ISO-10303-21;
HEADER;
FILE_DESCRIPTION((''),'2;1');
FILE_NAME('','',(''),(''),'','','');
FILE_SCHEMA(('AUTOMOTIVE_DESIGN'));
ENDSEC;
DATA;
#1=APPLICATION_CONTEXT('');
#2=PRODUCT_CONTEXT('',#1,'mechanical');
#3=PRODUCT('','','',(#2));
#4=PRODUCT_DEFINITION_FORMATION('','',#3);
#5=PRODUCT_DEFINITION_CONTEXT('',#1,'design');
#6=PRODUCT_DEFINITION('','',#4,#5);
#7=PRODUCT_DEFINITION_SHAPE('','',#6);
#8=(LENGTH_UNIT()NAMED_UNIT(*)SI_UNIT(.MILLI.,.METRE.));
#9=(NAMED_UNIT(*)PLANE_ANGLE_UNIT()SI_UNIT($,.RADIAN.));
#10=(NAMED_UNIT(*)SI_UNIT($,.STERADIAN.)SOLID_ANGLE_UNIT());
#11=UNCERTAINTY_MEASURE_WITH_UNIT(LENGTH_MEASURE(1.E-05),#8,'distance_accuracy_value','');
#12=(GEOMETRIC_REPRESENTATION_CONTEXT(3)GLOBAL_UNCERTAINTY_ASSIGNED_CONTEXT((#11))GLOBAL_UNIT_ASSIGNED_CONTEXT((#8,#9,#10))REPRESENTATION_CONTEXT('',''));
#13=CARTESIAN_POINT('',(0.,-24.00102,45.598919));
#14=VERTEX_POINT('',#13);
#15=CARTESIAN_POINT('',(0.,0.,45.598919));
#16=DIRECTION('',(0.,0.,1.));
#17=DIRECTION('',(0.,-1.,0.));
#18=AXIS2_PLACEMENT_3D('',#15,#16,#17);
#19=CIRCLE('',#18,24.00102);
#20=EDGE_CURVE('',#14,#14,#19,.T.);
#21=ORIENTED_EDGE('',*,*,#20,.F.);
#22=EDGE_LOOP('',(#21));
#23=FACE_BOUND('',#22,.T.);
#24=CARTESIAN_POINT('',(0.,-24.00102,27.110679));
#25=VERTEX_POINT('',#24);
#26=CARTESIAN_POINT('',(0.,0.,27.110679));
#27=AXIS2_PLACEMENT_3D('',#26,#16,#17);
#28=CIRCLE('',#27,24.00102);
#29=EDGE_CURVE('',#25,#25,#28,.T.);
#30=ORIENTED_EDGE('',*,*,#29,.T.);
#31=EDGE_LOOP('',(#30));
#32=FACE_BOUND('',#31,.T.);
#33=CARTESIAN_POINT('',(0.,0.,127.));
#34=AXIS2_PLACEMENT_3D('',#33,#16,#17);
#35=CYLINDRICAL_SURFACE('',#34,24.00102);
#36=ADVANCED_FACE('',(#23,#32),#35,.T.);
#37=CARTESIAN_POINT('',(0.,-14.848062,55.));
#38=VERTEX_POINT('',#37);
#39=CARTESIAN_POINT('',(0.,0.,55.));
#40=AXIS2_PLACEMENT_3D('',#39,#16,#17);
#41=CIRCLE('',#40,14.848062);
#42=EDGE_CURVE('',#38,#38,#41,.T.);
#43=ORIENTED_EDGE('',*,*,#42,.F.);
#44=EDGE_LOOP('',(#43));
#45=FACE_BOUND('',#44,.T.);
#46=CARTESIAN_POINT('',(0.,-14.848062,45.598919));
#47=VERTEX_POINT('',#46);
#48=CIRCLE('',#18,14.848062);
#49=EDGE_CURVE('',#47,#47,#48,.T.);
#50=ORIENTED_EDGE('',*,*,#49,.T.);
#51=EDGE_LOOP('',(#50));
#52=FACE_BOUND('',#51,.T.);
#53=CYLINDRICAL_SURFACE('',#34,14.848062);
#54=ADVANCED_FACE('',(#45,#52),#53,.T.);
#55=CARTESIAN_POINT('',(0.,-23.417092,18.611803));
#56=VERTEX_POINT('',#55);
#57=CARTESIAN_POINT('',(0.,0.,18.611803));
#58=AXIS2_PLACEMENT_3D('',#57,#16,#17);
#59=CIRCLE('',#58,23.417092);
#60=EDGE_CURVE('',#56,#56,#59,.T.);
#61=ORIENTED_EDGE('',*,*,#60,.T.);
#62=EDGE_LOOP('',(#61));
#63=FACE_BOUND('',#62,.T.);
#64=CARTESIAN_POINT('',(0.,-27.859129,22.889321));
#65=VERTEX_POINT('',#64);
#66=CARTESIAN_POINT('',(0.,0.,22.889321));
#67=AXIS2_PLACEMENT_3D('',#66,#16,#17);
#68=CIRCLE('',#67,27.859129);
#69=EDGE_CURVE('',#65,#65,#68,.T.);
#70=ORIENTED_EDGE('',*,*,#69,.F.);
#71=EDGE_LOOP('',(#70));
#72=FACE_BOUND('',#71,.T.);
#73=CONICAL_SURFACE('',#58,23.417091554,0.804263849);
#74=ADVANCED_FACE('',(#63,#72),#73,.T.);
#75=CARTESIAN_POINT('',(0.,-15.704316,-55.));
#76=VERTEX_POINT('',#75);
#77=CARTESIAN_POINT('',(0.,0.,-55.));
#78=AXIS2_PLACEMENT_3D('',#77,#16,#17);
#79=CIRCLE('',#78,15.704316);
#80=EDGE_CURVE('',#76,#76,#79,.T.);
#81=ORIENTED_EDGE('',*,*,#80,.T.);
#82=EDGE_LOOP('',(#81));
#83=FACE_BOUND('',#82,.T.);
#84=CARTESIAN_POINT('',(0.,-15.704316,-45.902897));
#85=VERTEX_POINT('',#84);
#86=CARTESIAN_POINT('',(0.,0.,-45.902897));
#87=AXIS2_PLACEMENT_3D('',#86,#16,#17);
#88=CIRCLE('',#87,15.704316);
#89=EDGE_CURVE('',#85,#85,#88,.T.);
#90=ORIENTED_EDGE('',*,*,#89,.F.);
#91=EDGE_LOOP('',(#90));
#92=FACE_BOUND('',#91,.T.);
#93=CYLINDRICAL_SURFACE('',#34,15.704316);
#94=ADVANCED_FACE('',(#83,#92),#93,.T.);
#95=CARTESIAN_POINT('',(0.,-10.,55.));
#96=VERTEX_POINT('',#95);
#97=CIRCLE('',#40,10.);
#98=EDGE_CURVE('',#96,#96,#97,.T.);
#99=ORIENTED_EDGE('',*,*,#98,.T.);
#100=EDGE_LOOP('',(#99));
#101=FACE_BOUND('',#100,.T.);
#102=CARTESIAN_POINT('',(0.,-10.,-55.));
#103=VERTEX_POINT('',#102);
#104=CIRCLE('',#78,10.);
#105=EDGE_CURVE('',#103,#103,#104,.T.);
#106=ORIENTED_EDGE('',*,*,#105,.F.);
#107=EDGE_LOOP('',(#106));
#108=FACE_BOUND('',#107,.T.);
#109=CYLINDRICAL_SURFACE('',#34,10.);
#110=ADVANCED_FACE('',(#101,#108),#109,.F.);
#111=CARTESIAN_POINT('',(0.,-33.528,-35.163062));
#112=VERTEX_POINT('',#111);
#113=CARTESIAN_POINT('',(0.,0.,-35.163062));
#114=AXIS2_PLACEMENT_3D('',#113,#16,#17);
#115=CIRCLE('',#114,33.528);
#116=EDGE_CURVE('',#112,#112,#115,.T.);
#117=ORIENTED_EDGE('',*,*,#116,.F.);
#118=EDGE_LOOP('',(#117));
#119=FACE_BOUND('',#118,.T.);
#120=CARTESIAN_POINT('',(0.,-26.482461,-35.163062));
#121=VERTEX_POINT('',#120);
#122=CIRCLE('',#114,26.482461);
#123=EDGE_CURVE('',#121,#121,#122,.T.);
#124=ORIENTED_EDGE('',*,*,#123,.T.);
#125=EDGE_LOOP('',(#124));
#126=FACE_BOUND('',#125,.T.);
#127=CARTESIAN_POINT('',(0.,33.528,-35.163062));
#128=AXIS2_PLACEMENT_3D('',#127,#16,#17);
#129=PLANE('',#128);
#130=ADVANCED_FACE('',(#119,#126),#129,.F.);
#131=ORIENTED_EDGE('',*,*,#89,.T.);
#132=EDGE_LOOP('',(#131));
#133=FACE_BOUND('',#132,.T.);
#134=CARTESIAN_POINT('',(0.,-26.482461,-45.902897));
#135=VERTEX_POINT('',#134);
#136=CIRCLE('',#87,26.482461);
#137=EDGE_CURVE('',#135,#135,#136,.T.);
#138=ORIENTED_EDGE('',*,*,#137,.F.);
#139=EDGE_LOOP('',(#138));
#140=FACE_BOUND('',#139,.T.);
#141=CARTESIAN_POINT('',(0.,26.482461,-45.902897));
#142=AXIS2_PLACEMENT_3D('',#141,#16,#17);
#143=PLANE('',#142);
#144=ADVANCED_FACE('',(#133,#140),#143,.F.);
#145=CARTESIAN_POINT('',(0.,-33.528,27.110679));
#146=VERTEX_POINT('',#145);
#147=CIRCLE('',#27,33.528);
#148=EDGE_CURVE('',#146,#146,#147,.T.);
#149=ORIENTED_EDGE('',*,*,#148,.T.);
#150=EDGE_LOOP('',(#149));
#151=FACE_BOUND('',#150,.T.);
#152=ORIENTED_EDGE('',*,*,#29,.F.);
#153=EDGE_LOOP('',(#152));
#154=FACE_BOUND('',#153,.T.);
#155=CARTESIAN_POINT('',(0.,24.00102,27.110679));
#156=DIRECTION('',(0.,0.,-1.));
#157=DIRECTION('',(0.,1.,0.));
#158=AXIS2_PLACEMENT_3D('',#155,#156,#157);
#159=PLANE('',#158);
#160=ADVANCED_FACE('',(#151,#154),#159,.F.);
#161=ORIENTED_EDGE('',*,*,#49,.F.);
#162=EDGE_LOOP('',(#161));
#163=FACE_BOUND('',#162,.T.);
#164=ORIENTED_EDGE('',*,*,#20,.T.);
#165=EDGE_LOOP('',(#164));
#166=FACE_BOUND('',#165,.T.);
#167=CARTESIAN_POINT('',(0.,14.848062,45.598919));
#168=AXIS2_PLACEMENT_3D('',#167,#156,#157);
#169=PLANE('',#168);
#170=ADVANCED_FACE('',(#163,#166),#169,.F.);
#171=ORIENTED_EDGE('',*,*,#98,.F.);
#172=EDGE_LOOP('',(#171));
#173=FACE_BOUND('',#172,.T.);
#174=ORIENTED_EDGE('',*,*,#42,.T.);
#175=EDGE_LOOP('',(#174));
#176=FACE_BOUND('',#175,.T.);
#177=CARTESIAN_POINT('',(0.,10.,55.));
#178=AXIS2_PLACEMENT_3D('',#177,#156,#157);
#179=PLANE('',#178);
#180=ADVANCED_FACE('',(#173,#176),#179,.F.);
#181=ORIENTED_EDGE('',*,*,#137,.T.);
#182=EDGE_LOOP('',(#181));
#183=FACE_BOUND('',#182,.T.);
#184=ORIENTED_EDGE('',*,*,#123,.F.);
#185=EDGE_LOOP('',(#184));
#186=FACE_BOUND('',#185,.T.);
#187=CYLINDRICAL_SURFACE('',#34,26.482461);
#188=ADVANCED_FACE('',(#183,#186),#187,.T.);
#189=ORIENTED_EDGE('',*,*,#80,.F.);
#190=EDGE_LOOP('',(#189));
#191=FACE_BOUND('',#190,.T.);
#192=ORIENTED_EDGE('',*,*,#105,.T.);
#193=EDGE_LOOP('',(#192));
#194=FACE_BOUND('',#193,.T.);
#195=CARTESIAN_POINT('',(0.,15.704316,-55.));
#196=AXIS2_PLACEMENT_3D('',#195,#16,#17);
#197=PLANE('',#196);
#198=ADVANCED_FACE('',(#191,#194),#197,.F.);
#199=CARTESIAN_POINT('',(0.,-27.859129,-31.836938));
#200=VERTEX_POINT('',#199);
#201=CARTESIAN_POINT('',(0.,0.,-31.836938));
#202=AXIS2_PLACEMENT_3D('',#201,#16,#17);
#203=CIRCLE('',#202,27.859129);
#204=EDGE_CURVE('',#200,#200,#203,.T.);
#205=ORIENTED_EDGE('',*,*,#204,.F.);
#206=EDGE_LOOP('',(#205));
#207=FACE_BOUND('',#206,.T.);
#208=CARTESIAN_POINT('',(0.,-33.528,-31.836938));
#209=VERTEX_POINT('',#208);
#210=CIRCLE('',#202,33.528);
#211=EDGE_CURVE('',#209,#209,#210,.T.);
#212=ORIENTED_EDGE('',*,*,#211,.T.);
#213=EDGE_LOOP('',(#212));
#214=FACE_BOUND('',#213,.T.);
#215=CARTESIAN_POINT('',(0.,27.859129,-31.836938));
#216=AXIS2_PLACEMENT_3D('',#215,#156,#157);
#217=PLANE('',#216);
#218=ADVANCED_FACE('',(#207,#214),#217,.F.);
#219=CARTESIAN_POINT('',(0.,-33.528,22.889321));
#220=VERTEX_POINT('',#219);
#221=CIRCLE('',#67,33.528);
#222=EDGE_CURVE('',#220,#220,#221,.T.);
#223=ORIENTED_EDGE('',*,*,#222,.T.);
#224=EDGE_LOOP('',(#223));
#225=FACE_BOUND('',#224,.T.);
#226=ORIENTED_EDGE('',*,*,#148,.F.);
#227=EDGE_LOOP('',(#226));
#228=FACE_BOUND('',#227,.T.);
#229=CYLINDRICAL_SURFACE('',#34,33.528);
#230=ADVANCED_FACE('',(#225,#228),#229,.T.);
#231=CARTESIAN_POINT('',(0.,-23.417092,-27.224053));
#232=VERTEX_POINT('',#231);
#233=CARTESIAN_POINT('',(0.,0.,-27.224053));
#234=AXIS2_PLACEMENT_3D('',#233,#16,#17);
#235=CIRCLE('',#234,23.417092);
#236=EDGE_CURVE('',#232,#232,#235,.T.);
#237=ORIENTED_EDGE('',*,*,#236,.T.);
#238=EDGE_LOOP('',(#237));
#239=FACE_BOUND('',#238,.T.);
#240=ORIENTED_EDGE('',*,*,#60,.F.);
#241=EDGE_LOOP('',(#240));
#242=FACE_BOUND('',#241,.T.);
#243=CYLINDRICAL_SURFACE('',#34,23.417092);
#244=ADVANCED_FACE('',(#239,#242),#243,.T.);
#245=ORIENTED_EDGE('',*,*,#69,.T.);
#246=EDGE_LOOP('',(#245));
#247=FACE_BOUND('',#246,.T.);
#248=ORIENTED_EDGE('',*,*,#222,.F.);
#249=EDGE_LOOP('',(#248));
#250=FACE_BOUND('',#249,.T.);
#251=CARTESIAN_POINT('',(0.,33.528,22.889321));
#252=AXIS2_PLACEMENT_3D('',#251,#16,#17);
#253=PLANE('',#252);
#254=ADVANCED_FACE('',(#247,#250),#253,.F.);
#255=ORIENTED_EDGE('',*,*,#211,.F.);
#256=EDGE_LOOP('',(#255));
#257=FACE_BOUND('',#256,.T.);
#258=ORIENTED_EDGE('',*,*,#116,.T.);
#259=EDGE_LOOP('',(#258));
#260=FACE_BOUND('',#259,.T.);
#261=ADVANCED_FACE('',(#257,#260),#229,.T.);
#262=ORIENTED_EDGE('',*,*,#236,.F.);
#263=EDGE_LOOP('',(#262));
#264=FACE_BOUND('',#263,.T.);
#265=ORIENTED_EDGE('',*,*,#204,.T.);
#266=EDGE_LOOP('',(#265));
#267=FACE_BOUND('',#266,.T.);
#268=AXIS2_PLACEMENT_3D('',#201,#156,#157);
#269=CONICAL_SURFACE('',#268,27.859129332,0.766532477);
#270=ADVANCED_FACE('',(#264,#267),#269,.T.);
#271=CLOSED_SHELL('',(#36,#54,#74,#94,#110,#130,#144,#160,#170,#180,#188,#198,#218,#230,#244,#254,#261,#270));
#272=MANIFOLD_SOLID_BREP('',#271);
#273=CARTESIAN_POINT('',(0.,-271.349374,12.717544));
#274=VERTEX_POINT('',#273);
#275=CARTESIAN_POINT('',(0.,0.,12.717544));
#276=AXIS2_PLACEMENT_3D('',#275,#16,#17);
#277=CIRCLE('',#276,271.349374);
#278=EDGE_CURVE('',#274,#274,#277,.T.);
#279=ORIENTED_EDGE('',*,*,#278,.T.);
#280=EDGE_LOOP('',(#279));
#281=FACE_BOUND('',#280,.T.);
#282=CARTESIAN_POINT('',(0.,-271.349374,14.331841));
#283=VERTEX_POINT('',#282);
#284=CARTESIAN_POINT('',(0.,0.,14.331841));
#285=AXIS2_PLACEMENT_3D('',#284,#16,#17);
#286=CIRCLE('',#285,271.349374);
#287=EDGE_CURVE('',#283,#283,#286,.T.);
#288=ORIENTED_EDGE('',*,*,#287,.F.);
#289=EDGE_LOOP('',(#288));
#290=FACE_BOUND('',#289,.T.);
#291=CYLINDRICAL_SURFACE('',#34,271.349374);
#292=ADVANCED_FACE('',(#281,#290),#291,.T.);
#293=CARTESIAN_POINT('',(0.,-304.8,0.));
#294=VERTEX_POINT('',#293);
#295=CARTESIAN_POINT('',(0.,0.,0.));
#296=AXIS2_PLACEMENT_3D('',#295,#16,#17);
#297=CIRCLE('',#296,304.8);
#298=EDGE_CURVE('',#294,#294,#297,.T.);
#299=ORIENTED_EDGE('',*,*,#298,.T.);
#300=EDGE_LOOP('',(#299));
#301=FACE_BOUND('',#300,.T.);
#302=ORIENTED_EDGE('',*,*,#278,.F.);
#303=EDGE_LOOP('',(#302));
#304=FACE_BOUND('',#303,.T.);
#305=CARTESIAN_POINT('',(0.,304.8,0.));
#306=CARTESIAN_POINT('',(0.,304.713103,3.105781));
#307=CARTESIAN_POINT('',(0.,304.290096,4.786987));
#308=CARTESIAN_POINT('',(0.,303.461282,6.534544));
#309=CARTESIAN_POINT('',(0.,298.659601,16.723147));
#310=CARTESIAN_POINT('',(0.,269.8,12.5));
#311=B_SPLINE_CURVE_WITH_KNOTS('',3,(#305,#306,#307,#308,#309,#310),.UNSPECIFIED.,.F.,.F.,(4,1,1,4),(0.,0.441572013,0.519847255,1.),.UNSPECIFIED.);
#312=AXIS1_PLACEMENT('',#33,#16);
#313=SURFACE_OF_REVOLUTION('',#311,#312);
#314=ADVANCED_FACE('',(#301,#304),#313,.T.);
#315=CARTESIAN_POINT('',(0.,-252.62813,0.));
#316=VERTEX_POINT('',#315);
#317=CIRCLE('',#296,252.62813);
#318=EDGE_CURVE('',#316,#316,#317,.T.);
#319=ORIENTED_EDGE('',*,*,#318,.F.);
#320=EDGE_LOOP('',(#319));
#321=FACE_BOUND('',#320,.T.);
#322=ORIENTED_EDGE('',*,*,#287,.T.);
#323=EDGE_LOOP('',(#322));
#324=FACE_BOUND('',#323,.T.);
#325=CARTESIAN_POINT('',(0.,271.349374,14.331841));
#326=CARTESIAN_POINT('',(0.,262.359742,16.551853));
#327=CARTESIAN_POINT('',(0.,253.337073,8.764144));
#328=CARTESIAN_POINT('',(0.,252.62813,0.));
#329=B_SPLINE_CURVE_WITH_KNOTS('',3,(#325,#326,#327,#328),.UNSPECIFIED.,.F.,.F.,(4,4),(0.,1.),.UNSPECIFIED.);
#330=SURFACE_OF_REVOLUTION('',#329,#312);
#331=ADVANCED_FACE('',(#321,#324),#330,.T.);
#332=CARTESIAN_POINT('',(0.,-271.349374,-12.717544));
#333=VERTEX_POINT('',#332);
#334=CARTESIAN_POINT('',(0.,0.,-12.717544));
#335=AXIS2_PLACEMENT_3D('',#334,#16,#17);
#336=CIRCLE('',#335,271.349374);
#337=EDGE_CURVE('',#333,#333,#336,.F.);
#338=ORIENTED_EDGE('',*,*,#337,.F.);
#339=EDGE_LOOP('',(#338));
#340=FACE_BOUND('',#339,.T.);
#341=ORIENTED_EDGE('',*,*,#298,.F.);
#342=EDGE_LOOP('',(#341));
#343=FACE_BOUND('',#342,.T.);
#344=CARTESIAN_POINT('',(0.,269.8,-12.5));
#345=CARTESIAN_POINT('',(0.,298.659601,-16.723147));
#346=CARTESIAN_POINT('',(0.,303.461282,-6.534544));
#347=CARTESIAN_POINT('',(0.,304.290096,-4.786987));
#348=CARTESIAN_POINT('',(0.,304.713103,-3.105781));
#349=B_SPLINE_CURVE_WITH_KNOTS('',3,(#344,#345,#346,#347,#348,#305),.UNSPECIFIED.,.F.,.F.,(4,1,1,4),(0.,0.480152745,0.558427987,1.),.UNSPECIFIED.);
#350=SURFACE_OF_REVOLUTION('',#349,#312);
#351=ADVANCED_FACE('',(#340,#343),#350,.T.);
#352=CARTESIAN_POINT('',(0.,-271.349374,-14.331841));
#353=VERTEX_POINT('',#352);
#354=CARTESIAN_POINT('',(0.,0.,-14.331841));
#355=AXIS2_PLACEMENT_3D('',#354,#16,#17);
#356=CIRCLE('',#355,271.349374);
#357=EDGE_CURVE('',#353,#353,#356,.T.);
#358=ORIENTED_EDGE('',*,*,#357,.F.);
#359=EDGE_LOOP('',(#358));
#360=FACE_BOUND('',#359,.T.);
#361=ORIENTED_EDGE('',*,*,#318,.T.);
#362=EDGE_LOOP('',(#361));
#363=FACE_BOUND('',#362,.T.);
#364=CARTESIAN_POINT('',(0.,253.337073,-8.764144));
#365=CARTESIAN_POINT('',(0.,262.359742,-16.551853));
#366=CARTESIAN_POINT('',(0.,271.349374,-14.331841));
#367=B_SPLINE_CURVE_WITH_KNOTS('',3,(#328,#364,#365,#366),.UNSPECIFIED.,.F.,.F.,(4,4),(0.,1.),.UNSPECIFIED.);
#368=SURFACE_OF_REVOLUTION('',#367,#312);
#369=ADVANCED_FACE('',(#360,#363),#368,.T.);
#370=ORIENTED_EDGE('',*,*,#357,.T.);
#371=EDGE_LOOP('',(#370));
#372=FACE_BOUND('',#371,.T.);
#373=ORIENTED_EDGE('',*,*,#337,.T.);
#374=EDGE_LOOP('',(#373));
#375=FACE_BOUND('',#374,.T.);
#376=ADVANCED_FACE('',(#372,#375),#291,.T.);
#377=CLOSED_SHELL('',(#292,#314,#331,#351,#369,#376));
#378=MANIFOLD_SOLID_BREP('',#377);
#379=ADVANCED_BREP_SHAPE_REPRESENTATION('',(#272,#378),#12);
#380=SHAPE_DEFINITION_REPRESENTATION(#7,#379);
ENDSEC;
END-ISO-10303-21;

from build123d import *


with BuildPart() as part:
    # Sketch3 → Revolve7 (revolve)
    with BuildSketch(Plane(origin=(0, 0, 0), x_dir=(0, 0, -1), z_dir=(1, 0, 0))):
        with BuildLine():
            Line((12.5, 269.8), (-12.5, 269.8))
            add(Edge.make_bspline(
                [(0, 304.8), (-3.105781233, 304.713103163), (-4.786987293, 304.290095567), (-6.534544097, 303.461281857), (-16.72314658, 298.659601339), (-12.5, 269.8)],
                knots=[0, 0, 0, 0, 0.441572013, 0.519847255, 1, 1, 1, 1], degree=3))
            add(Edge.make_bspline(
                [(0, 304.8), (3.105781233, 304.713103163), (4.786987293, 304.290095567), (6.534544097, 303.461281857), (16.72314658, 298.659601339), (12.5, 269.8)],
                knots=[0, 0, 0, 0, 0.441572013, 0.519847255, 1, 1, 1, 1], degree=3))
        make_face()
    revolve(axis=Axis((0, 0, 127), (0, 0, -1)))

    # Sketch6 → Revolve8 (revolve)
    with BuildSketch(Plane(origin=(0, 0, 0), x_dir=(0, 0, -1), z_dir=(1, 0, 0))):
        with BuildLine():
            Line((-14.331840629, 271.349373607), (14.331840629, 271.349373607))
            add(Edge.make_bspline(
                [(14.331840629, 271.349373607), (16.551853232, 262.359742007), (8.764143835, 253.337072556), (0, 252.628130209)],
                knots=[0, 0, 0, 0, 1, 1, 1, 1], degree=3))
            add(Edge.make_bspline(
                [(-14.331840629, 271.349373607), (-16.551853232, 262.359742007), (-8.764143835, 253.337072556), (0, 252.628130209)],
                knots=[0, 0, 0, 0, 1, 1, 1, 1], degree=3))
        make_face()
    revolve(axis=Axis((0, 0, 127), (0, 0, -1)))


with BuildPart() as body_2:
    # Sketch7 → Revolve9 (revolve)
    with BuildSketch(Plane(origin=(0, 0, 0), x_dir=(0, 0, -1), z_dir=(1, 0, 0))):
        Polygon((-55, 10), (-55, 14.848062252), (-45.598919058, 14.848062252), (-45.598919058, 24.001020337), (-27.110679023, 24.001020337), (-27.110679023, 33.528), (-22.889320977, 33.528), (-22.889320977, 27.859129332), (-18.611803116, 23.417091554), (27.224053079, 23.417091554), (31.836938465, 27.859129332), (31.836938465, 33.528), (35.163061535, 33.528), (35.163061535, 26.482460588), (45.902896762, 26.482460588), (45.902896762, 15.704316331), (55, 15.704316331), (55, 10), align=None)
    revolve(axis=Axis((0, 0, 127), (0, 0, -1)))


solid = Compound([part.part, body_2.part])
